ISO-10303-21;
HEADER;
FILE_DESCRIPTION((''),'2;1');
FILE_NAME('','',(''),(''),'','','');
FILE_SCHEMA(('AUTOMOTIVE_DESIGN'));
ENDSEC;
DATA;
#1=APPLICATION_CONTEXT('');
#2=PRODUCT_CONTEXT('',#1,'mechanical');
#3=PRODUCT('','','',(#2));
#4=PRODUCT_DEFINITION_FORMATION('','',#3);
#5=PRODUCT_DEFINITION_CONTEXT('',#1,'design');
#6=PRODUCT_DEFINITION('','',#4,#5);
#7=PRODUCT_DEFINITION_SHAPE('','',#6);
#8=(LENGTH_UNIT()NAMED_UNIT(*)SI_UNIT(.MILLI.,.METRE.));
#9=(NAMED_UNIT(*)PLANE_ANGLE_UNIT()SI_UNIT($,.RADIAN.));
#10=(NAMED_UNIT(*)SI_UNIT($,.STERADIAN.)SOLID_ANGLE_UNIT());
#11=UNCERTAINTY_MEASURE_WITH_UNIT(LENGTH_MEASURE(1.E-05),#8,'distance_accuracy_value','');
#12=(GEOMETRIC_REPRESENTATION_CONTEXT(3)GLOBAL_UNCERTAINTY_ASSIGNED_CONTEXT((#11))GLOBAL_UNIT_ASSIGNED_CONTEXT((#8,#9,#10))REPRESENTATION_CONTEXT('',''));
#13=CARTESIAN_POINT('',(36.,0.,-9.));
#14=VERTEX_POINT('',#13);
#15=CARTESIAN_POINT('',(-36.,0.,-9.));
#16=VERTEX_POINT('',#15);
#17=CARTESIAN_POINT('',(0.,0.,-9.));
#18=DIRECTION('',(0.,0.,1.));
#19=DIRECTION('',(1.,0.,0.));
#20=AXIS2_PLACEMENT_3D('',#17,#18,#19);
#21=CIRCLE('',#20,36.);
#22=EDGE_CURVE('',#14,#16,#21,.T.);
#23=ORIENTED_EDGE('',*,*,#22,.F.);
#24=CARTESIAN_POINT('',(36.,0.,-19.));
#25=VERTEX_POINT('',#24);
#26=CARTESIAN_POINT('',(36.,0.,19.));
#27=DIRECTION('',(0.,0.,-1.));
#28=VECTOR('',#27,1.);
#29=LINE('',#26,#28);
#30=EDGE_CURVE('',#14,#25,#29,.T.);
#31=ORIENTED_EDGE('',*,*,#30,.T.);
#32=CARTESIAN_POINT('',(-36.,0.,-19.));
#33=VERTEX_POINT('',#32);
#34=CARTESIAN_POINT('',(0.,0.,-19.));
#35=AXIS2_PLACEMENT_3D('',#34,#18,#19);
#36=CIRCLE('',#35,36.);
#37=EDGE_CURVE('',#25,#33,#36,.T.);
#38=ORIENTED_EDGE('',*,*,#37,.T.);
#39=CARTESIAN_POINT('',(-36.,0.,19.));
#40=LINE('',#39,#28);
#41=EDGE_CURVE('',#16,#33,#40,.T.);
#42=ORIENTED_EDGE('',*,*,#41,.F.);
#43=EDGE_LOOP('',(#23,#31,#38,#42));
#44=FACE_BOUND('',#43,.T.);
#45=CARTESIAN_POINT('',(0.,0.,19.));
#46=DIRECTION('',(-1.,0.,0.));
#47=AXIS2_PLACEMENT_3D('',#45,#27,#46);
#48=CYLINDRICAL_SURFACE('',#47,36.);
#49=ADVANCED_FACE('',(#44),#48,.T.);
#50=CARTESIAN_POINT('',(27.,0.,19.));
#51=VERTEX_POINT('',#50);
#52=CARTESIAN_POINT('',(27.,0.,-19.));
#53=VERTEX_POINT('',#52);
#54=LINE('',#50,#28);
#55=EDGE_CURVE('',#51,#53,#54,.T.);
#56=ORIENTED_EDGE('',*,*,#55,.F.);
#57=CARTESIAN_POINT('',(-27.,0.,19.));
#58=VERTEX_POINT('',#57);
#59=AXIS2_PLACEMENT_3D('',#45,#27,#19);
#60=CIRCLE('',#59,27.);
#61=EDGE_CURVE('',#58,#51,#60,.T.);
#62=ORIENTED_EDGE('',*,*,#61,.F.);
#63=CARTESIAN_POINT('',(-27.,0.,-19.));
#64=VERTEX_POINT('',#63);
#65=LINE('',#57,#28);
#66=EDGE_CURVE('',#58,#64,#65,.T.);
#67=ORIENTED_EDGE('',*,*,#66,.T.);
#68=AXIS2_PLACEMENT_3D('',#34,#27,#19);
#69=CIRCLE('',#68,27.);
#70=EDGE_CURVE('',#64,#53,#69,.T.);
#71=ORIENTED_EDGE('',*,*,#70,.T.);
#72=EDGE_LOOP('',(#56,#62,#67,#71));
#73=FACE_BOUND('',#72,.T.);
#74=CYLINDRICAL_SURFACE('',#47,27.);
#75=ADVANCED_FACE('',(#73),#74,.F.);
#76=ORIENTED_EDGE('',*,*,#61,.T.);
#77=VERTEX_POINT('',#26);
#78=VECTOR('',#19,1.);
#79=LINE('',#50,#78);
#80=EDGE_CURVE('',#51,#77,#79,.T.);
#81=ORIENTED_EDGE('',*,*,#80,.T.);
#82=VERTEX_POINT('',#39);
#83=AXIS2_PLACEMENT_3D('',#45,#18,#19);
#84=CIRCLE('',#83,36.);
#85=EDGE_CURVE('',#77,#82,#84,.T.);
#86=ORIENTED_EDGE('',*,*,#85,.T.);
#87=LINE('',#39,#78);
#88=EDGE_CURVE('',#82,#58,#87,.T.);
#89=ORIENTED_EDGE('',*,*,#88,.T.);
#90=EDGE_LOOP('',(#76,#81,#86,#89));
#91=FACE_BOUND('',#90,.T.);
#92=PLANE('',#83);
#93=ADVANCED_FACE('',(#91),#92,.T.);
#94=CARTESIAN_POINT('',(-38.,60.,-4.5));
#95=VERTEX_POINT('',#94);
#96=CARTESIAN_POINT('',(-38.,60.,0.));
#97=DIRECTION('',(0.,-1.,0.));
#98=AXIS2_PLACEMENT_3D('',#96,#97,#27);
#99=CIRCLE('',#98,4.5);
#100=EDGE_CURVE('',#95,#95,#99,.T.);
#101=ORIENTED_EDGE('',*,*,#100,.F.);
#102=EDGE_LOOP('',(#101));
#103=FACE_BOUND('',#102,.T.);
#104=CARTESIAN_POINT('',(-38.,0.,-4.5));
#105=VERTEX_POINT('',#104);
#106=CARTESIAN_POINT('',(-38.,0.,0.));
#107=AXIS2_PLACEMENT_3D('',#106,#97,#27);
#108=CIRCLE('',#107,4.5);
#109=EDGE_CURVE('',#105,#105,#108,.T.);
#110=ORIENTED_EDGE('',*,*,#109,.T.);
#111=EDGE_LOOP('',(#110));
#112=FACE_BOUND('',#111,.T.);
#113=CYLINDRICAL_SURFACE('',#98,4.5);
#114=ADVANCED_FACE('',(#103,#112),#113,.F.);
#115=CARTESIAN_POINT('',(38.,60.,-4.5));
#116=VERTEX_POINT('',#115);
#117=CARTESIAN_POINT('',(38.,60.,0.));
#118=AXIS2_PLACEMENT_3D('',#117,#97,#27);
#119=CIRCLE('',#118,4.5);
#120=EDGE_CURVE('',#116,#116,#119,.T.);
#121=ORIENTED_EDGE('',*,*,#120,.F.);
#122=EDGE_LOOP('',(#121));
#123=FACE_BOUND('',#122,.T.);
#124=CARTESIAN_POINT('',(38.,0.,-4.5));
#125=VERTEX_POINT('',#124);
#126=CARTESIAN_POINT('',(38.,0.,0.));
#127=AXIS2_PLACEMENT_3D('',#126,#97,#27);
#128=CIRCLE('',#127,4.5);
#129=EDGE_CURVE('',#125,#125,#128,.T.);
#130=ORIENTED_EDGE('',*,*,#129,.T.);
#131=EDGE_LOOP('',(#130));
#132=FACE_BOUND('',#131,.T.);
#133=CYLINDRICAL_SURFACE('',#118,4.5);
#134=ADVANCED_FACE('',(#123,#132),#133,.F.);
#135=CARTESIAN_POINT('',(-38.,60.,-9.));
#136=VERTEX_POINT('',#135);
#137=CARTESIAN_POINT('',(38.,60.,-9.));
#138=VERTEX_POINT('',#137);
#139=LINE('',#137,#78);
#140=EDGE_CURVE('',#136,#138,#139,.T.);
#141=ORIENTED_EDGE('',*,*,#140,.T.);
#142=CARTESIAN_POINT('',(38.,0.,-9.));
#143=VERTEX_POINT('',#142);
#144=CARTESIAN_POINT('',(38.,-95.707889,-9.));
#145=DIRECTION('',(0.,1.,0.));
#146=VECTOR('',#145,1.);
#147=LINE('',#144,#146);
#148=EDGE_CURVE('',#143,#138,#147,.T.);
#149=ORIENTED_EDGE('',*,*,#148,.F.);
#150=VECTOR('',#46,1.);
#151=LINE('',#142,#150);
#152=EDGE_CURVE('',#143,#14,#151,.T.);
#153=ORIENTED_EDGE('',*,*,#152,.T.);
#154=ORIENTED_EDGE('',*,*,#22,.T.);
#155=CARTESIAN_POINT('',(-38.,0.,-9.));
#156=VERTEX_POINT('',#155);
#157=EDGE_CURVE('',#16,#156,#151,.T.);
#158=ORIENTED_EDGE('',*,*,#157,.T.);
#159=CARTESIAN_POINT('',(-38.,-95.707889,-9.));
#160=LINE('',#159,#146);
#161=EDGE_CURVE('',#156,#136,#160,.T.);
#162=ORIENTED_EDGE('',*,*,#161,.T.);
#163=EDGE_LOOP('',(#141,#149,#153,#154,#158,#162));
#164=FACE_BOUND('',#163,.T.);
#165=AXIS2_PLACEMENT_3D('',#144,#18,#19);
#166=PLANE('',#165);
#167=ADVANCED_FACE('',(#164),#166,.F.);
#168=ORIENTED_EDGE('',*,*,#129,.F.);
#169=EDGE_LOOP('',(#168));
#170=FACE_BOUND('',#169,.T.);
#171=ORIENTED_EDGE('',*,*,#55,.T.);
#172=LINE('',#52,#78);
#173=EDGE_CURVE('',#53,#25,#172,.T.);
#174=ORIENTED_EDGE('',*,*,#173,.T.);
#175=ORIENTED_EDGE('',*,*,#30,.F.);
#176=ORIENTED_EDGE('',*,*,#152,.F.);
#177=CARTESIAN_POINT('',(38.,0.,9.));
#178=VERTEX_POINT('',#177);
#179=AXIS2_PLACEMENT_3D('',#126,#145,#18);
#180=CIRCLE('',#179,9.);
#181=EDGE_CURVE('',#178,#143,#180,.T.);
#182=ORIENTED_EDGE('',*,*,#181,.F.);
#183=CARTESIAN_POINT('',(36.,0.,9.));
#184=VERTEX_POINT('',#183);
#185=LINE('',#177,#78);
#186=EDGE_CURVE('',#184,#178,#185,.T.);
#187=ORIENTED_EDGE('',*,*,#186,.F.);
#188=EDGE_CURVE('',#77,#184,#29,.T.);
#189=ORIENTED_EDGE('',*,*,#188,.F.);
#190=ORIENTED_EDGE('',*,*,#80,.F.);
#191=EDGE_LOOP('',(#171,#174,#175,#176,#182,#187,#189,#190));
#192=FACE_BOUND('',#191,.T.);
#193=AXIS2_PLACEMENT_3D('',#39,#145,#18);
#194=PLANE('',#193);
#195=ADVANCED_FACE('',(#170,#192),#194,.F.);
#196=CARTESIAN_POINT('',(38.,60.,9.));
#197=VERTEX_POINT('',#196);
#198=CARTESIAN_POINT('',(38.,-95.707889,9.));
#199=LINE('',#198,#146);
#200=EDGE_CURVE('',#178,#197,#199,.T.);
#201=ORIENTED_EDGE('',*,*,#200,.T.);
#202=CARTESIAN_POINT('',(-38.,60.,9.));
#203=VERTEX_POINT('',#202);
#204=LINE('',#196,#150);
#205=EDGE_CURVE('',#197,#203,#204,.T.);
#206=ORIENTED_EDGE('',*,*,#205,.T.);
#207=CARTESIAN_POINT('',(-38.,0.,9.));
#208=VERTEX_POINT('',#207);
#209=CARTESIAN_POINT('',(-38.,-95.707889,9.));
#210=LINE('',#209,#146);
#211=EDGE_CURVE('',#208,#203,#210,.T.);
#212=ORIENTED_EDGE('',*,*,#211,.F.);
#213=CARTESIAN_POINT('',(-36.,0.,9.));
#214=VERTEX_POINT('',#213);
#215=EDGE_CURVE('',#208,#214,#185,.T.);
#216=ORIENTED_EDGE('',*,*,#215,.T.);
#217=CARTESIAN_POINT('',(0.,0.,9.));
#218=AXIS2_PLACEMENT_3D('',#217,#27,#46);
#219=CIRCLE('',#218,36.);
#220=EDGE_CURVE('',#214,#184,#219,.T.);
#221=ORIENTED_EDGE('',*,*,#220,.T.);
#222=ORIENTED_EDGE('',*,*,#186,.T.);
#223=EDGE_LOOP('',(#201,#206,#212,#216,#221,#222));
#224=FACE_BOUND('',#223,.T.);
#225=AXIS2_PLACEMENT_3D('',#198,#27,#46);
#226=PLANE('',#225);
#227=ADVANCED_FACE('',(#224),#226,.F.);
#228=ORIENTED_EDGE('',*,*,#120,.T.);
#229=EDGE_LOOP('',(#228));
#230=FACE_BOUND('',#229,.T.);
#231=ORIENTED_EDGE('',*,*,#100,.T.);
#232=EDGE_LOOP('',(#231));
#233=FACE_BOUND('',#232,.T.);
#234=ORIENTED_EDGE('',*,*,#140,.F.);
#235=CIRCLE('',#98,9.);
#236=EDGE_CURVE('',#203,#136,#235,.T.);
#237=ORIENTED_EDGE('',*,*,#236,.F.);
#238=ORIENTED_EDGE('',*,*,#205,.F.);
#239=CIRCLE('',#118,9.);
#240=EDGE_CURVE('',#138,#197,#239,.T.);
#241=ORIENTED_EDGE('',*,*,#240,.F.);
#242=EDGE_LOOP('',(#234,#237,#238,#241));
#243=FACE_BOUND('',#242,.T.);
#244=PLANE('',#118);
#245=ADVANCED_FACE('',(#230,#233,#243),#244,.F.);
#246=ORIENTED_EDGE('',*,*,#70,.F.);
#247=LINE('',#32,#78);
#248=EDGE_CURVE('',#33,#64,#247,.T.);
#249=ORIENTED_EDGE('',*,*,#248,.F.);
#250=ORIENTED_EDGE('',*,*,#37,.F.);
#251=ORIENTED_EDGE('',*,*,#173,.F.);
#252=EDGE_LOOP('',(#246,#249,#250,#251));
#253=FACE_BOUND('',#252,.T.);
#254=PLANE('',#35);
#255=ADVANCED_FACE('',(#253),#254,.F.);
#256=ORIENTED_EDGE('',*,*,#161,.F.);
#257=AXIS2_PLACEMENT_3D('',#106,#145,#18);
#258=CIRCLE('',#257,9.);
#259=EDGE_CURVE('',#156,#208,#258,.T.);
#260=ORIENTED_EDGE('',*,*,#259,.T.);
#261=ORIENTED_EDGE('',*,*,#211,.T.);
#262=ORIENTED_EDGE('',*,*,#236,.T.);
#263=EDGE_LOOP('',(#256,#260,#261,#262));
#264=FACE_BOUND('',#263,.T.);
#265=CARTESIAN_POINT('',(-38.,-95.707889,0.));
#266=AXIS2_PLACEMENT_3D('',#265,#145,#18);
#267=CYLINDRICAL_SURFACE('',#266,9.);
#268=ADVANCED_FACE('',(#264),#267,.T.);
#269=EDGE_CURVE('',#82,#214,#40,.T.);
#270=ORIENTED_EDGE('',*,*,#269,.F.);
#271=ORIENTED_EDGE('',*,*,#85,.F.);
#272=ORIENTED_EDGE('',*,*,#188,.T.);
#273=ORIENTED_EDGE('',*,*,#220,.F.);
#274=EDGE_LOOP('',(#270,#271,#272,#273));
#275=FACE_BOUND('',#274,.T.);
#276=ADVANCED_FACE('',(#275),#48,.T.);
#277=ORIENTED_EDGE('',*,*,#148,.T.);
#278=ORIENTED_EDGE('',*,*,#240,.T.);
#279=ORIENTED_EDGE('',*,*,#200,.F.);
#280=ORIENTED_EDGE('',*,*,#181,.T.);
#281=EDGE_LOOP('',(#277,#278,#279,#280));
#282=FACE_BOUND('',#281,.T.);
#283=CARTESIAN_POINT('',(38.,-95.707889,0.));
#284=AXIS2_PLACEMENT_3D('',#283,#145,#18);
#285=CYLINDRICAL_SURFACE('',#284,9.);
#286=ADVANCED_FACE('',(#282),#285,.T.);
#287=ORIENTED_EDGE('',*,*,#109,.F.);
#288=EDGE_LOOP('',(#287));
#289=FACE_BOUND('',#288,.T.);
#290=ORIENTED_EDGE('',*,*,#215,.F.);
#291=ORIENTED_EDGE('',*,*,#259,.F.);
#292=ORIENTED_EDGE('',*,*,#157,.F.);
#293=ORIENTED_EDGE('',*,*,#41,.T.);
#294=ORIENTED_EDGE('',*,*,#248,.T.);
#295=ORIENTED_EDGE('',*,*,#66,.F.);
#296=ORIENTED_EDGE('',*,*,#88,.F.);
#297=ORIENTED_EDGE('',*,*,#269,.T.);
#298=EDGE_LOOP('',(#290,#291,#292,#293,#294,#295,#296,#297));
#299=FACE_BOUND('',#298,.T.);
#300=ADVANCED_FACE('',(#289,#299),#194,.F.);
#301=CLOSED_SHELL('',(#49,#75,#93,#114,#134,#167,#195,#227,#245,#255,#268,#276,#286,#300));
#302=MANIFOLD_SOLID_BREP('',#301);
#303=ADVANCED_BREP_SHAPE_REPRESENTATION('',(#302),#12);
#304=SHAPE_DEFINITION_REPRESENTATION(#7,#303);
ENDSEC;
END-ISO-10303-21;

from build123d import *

# Parameters (mm, degrees)
BOSS_EXTRUDE1_DEPTH = 19
BOSS_EXTRUDE2_DEPTH = 60
CUT_EXTRUDE1_DEPTH  = 29
SKETCH4_R           = 4.5
CUT_EXTRUDE2_DEPTH  = 61


with BuildPart() as part:
    # Sketch1 → Boss-Extrude1 (new body, symmetric)
    with BuildSketch(Plane.XY):
        with BuildLine():
            Line((-36, 0), (-27, 0))
            ThreePointArc((-27, 0), (0, 27), (27, 0))
            Line((27, 0), (36, 0))
            ThreePointArc((36, 0), (0, 36), (-36, 0))
        make_face()
    extrude(amount=BOSS_EXTRUDE1_DEPTH, both=True)

    # Sketch2 → Boss-Extrude2 (add)
    with BuildSketch(Plane(origin=(0, 60, 0), x_dir=(-1, 0, 0), z_dir=(0, -1, 0))):
        with BuildLine():
            Line((-38, 9), (38, 9))
            ThreePointArc((38, 9), (47, 0), (38, -9))
            Line((38, -9), (-38, -9))
            ThreePointArc((-38, -9), (-47, 0), (-38, 9))
        make_face()
    extrude(amount=BOSS_EXTRUDE2_DEPTH)

    # Sketch3 → Cut-Extrude1 (cut, through all)
    with BuildSketch(Plane.XY.offset(9)):
        with BuildLine():
            Line((-27, 0), (27, 0))
            ThreePointArc((27, 0), (0, 27), (-27, 0))
        make_face()
    extrude(amount=-CUT_EXTRUDE1_DEPTH, mode=Mode.SUBTRACT)

    # Sketch4 → Cut-Extrude2 (cut, through all)
    with BuildSketch(Plane.XZ):
        with Locations((-38, 0)):
            Circle(SKETCH4_R)
        with Locations((38, 0)):
            Circle(SKETCH4_R)
    extrude(amount=-CUT_EXTRUDE2_DEPTH, mode=Mode.SUBTRACT)


solid = part.part
